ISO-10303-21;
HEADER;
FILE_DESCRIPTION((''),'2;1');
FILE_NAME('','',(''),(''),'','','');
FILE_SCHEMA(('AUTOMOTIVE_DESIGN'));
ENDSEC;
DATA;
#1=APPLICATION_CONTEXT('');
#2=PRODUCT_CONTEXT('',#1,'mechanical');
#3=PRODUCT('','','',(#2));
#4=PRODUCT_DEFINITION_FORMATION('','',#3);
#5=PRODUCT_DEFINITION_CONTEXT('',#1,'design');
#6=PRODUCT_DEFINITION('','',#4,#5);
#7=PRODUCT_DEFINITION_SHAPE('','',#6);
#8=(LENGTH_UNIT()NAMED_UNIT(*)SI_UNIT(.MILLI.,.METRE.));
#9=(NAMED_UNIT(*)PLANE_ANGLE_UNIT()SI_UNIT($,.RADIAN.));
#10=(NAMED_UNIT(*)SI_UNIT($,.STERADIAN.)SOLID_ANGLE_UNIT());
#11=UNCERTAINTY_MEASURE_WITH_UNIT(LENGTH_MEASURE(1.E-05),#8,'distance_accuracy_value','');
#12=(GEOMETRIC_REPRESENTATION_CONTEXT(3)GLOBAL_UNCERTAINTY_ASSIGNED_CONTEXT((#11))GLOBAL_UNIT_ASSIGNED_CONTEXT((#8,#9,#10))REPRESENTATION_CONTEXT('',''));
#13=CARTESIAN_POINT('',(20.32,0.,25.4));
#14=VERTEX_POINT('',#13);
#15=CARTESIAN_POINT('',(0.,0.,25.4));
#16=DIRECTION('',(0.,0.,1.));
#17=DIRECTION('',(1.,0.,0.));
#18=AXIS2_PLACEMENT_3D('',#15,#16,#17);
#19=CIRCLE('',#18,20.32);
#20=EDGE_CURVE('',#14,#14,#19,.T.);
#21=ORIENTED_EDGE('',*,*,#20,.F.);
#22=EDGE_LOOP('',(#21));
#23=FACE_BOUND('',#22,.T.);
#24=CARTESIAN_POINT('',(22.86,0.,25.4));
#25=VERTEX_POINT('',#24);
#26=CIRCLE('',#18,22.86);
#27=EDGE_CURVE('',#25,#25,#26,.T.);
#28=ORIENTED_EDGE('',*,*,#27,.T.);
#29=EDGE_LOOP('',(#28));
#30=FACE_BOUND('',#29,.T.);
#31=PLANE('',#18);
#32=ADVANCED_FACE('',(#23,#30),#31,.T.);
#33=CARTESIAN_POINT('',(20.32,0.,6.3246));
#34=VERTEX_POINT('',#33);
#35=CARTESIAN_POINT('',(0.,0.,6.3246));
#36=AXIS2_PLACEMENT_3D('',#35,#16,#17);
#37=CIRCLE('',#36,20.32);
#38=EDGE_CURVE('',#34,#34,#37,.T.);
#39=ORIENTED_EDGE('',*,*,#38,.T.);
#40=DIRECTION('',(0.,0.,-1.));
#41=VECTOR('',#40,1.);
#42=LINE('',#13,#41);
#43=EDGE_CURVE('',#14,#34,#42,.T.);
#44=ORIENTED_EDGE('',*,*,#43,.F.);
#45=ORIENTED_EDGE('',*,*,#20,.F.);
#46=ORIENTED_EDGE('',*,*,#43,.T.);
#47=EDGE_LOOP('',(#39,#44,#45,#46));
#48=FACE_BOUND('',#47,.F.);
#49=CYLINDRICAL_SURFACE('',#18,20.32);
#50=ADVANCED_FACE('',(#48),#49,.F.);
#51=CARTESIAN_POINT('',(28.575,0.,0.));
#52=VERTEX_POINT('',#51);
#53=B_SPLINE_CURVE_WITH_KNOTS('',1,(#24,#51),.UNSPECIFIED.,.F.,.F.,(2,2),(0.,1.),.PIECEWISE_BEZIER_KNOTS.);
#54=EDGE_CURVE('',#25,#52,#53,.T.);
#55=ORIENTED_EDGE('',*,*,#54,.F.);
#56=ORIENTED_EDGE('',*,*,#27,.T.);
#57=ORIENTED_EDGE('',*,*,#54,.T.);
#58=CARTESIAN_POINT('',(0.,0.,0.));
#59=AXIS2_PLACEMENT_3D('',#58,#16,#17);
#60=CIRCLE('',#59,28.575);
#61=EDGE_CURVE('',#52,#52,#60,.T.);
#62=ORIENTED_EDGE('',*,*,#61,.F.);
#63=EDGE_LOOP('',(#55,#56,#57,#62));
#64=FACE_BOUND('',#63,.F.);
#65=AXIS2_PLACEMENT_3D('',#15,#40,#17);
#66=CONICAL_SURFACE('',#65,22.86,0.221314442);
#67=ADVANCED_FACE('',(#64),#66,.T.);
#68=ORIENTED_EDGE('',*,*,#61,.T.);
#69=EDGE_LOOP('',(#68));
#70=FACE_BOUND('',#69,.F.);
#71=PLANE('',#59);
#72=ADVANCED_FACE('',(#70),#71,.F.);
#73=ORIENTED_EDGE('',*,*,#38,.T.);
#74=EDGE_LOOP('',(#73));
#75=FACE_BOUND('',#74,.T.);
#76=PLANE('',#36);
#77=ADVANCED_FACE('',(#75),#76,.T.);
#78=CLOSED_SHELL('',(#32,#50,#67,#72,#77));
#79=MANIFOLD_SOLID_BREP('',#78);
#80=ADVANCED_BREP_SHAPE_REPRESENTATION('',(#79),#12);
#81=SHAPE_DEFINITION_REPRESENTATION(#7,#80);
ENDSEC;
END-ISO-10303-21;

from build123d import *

# Parameters (mm, degrees)
F2_R     = 22.86
F0_R     = 28.575
F4_R     = 20.32
F5_DEPTH = 19.0754


with BuildPart() as f3:
    # F2 (on offset) → F3 section 0
    with BuildSketch(Plane.XY.offset(25.4)):
        Circle(F2_R)
    # F0 (on Top) → F3 section 1
    with BuildSketch(Plane.XY):
        Circle(F0_R)
    loft()

    # F4 (on offset) → F5 (cut)
    with BuildSketch(Plane.XY.offset(25.4)):
        Circle(F4_R)
    extrude(amount=-F5_DEPTH, mode=Mode.SUBTRACT)


solid = f3.part
